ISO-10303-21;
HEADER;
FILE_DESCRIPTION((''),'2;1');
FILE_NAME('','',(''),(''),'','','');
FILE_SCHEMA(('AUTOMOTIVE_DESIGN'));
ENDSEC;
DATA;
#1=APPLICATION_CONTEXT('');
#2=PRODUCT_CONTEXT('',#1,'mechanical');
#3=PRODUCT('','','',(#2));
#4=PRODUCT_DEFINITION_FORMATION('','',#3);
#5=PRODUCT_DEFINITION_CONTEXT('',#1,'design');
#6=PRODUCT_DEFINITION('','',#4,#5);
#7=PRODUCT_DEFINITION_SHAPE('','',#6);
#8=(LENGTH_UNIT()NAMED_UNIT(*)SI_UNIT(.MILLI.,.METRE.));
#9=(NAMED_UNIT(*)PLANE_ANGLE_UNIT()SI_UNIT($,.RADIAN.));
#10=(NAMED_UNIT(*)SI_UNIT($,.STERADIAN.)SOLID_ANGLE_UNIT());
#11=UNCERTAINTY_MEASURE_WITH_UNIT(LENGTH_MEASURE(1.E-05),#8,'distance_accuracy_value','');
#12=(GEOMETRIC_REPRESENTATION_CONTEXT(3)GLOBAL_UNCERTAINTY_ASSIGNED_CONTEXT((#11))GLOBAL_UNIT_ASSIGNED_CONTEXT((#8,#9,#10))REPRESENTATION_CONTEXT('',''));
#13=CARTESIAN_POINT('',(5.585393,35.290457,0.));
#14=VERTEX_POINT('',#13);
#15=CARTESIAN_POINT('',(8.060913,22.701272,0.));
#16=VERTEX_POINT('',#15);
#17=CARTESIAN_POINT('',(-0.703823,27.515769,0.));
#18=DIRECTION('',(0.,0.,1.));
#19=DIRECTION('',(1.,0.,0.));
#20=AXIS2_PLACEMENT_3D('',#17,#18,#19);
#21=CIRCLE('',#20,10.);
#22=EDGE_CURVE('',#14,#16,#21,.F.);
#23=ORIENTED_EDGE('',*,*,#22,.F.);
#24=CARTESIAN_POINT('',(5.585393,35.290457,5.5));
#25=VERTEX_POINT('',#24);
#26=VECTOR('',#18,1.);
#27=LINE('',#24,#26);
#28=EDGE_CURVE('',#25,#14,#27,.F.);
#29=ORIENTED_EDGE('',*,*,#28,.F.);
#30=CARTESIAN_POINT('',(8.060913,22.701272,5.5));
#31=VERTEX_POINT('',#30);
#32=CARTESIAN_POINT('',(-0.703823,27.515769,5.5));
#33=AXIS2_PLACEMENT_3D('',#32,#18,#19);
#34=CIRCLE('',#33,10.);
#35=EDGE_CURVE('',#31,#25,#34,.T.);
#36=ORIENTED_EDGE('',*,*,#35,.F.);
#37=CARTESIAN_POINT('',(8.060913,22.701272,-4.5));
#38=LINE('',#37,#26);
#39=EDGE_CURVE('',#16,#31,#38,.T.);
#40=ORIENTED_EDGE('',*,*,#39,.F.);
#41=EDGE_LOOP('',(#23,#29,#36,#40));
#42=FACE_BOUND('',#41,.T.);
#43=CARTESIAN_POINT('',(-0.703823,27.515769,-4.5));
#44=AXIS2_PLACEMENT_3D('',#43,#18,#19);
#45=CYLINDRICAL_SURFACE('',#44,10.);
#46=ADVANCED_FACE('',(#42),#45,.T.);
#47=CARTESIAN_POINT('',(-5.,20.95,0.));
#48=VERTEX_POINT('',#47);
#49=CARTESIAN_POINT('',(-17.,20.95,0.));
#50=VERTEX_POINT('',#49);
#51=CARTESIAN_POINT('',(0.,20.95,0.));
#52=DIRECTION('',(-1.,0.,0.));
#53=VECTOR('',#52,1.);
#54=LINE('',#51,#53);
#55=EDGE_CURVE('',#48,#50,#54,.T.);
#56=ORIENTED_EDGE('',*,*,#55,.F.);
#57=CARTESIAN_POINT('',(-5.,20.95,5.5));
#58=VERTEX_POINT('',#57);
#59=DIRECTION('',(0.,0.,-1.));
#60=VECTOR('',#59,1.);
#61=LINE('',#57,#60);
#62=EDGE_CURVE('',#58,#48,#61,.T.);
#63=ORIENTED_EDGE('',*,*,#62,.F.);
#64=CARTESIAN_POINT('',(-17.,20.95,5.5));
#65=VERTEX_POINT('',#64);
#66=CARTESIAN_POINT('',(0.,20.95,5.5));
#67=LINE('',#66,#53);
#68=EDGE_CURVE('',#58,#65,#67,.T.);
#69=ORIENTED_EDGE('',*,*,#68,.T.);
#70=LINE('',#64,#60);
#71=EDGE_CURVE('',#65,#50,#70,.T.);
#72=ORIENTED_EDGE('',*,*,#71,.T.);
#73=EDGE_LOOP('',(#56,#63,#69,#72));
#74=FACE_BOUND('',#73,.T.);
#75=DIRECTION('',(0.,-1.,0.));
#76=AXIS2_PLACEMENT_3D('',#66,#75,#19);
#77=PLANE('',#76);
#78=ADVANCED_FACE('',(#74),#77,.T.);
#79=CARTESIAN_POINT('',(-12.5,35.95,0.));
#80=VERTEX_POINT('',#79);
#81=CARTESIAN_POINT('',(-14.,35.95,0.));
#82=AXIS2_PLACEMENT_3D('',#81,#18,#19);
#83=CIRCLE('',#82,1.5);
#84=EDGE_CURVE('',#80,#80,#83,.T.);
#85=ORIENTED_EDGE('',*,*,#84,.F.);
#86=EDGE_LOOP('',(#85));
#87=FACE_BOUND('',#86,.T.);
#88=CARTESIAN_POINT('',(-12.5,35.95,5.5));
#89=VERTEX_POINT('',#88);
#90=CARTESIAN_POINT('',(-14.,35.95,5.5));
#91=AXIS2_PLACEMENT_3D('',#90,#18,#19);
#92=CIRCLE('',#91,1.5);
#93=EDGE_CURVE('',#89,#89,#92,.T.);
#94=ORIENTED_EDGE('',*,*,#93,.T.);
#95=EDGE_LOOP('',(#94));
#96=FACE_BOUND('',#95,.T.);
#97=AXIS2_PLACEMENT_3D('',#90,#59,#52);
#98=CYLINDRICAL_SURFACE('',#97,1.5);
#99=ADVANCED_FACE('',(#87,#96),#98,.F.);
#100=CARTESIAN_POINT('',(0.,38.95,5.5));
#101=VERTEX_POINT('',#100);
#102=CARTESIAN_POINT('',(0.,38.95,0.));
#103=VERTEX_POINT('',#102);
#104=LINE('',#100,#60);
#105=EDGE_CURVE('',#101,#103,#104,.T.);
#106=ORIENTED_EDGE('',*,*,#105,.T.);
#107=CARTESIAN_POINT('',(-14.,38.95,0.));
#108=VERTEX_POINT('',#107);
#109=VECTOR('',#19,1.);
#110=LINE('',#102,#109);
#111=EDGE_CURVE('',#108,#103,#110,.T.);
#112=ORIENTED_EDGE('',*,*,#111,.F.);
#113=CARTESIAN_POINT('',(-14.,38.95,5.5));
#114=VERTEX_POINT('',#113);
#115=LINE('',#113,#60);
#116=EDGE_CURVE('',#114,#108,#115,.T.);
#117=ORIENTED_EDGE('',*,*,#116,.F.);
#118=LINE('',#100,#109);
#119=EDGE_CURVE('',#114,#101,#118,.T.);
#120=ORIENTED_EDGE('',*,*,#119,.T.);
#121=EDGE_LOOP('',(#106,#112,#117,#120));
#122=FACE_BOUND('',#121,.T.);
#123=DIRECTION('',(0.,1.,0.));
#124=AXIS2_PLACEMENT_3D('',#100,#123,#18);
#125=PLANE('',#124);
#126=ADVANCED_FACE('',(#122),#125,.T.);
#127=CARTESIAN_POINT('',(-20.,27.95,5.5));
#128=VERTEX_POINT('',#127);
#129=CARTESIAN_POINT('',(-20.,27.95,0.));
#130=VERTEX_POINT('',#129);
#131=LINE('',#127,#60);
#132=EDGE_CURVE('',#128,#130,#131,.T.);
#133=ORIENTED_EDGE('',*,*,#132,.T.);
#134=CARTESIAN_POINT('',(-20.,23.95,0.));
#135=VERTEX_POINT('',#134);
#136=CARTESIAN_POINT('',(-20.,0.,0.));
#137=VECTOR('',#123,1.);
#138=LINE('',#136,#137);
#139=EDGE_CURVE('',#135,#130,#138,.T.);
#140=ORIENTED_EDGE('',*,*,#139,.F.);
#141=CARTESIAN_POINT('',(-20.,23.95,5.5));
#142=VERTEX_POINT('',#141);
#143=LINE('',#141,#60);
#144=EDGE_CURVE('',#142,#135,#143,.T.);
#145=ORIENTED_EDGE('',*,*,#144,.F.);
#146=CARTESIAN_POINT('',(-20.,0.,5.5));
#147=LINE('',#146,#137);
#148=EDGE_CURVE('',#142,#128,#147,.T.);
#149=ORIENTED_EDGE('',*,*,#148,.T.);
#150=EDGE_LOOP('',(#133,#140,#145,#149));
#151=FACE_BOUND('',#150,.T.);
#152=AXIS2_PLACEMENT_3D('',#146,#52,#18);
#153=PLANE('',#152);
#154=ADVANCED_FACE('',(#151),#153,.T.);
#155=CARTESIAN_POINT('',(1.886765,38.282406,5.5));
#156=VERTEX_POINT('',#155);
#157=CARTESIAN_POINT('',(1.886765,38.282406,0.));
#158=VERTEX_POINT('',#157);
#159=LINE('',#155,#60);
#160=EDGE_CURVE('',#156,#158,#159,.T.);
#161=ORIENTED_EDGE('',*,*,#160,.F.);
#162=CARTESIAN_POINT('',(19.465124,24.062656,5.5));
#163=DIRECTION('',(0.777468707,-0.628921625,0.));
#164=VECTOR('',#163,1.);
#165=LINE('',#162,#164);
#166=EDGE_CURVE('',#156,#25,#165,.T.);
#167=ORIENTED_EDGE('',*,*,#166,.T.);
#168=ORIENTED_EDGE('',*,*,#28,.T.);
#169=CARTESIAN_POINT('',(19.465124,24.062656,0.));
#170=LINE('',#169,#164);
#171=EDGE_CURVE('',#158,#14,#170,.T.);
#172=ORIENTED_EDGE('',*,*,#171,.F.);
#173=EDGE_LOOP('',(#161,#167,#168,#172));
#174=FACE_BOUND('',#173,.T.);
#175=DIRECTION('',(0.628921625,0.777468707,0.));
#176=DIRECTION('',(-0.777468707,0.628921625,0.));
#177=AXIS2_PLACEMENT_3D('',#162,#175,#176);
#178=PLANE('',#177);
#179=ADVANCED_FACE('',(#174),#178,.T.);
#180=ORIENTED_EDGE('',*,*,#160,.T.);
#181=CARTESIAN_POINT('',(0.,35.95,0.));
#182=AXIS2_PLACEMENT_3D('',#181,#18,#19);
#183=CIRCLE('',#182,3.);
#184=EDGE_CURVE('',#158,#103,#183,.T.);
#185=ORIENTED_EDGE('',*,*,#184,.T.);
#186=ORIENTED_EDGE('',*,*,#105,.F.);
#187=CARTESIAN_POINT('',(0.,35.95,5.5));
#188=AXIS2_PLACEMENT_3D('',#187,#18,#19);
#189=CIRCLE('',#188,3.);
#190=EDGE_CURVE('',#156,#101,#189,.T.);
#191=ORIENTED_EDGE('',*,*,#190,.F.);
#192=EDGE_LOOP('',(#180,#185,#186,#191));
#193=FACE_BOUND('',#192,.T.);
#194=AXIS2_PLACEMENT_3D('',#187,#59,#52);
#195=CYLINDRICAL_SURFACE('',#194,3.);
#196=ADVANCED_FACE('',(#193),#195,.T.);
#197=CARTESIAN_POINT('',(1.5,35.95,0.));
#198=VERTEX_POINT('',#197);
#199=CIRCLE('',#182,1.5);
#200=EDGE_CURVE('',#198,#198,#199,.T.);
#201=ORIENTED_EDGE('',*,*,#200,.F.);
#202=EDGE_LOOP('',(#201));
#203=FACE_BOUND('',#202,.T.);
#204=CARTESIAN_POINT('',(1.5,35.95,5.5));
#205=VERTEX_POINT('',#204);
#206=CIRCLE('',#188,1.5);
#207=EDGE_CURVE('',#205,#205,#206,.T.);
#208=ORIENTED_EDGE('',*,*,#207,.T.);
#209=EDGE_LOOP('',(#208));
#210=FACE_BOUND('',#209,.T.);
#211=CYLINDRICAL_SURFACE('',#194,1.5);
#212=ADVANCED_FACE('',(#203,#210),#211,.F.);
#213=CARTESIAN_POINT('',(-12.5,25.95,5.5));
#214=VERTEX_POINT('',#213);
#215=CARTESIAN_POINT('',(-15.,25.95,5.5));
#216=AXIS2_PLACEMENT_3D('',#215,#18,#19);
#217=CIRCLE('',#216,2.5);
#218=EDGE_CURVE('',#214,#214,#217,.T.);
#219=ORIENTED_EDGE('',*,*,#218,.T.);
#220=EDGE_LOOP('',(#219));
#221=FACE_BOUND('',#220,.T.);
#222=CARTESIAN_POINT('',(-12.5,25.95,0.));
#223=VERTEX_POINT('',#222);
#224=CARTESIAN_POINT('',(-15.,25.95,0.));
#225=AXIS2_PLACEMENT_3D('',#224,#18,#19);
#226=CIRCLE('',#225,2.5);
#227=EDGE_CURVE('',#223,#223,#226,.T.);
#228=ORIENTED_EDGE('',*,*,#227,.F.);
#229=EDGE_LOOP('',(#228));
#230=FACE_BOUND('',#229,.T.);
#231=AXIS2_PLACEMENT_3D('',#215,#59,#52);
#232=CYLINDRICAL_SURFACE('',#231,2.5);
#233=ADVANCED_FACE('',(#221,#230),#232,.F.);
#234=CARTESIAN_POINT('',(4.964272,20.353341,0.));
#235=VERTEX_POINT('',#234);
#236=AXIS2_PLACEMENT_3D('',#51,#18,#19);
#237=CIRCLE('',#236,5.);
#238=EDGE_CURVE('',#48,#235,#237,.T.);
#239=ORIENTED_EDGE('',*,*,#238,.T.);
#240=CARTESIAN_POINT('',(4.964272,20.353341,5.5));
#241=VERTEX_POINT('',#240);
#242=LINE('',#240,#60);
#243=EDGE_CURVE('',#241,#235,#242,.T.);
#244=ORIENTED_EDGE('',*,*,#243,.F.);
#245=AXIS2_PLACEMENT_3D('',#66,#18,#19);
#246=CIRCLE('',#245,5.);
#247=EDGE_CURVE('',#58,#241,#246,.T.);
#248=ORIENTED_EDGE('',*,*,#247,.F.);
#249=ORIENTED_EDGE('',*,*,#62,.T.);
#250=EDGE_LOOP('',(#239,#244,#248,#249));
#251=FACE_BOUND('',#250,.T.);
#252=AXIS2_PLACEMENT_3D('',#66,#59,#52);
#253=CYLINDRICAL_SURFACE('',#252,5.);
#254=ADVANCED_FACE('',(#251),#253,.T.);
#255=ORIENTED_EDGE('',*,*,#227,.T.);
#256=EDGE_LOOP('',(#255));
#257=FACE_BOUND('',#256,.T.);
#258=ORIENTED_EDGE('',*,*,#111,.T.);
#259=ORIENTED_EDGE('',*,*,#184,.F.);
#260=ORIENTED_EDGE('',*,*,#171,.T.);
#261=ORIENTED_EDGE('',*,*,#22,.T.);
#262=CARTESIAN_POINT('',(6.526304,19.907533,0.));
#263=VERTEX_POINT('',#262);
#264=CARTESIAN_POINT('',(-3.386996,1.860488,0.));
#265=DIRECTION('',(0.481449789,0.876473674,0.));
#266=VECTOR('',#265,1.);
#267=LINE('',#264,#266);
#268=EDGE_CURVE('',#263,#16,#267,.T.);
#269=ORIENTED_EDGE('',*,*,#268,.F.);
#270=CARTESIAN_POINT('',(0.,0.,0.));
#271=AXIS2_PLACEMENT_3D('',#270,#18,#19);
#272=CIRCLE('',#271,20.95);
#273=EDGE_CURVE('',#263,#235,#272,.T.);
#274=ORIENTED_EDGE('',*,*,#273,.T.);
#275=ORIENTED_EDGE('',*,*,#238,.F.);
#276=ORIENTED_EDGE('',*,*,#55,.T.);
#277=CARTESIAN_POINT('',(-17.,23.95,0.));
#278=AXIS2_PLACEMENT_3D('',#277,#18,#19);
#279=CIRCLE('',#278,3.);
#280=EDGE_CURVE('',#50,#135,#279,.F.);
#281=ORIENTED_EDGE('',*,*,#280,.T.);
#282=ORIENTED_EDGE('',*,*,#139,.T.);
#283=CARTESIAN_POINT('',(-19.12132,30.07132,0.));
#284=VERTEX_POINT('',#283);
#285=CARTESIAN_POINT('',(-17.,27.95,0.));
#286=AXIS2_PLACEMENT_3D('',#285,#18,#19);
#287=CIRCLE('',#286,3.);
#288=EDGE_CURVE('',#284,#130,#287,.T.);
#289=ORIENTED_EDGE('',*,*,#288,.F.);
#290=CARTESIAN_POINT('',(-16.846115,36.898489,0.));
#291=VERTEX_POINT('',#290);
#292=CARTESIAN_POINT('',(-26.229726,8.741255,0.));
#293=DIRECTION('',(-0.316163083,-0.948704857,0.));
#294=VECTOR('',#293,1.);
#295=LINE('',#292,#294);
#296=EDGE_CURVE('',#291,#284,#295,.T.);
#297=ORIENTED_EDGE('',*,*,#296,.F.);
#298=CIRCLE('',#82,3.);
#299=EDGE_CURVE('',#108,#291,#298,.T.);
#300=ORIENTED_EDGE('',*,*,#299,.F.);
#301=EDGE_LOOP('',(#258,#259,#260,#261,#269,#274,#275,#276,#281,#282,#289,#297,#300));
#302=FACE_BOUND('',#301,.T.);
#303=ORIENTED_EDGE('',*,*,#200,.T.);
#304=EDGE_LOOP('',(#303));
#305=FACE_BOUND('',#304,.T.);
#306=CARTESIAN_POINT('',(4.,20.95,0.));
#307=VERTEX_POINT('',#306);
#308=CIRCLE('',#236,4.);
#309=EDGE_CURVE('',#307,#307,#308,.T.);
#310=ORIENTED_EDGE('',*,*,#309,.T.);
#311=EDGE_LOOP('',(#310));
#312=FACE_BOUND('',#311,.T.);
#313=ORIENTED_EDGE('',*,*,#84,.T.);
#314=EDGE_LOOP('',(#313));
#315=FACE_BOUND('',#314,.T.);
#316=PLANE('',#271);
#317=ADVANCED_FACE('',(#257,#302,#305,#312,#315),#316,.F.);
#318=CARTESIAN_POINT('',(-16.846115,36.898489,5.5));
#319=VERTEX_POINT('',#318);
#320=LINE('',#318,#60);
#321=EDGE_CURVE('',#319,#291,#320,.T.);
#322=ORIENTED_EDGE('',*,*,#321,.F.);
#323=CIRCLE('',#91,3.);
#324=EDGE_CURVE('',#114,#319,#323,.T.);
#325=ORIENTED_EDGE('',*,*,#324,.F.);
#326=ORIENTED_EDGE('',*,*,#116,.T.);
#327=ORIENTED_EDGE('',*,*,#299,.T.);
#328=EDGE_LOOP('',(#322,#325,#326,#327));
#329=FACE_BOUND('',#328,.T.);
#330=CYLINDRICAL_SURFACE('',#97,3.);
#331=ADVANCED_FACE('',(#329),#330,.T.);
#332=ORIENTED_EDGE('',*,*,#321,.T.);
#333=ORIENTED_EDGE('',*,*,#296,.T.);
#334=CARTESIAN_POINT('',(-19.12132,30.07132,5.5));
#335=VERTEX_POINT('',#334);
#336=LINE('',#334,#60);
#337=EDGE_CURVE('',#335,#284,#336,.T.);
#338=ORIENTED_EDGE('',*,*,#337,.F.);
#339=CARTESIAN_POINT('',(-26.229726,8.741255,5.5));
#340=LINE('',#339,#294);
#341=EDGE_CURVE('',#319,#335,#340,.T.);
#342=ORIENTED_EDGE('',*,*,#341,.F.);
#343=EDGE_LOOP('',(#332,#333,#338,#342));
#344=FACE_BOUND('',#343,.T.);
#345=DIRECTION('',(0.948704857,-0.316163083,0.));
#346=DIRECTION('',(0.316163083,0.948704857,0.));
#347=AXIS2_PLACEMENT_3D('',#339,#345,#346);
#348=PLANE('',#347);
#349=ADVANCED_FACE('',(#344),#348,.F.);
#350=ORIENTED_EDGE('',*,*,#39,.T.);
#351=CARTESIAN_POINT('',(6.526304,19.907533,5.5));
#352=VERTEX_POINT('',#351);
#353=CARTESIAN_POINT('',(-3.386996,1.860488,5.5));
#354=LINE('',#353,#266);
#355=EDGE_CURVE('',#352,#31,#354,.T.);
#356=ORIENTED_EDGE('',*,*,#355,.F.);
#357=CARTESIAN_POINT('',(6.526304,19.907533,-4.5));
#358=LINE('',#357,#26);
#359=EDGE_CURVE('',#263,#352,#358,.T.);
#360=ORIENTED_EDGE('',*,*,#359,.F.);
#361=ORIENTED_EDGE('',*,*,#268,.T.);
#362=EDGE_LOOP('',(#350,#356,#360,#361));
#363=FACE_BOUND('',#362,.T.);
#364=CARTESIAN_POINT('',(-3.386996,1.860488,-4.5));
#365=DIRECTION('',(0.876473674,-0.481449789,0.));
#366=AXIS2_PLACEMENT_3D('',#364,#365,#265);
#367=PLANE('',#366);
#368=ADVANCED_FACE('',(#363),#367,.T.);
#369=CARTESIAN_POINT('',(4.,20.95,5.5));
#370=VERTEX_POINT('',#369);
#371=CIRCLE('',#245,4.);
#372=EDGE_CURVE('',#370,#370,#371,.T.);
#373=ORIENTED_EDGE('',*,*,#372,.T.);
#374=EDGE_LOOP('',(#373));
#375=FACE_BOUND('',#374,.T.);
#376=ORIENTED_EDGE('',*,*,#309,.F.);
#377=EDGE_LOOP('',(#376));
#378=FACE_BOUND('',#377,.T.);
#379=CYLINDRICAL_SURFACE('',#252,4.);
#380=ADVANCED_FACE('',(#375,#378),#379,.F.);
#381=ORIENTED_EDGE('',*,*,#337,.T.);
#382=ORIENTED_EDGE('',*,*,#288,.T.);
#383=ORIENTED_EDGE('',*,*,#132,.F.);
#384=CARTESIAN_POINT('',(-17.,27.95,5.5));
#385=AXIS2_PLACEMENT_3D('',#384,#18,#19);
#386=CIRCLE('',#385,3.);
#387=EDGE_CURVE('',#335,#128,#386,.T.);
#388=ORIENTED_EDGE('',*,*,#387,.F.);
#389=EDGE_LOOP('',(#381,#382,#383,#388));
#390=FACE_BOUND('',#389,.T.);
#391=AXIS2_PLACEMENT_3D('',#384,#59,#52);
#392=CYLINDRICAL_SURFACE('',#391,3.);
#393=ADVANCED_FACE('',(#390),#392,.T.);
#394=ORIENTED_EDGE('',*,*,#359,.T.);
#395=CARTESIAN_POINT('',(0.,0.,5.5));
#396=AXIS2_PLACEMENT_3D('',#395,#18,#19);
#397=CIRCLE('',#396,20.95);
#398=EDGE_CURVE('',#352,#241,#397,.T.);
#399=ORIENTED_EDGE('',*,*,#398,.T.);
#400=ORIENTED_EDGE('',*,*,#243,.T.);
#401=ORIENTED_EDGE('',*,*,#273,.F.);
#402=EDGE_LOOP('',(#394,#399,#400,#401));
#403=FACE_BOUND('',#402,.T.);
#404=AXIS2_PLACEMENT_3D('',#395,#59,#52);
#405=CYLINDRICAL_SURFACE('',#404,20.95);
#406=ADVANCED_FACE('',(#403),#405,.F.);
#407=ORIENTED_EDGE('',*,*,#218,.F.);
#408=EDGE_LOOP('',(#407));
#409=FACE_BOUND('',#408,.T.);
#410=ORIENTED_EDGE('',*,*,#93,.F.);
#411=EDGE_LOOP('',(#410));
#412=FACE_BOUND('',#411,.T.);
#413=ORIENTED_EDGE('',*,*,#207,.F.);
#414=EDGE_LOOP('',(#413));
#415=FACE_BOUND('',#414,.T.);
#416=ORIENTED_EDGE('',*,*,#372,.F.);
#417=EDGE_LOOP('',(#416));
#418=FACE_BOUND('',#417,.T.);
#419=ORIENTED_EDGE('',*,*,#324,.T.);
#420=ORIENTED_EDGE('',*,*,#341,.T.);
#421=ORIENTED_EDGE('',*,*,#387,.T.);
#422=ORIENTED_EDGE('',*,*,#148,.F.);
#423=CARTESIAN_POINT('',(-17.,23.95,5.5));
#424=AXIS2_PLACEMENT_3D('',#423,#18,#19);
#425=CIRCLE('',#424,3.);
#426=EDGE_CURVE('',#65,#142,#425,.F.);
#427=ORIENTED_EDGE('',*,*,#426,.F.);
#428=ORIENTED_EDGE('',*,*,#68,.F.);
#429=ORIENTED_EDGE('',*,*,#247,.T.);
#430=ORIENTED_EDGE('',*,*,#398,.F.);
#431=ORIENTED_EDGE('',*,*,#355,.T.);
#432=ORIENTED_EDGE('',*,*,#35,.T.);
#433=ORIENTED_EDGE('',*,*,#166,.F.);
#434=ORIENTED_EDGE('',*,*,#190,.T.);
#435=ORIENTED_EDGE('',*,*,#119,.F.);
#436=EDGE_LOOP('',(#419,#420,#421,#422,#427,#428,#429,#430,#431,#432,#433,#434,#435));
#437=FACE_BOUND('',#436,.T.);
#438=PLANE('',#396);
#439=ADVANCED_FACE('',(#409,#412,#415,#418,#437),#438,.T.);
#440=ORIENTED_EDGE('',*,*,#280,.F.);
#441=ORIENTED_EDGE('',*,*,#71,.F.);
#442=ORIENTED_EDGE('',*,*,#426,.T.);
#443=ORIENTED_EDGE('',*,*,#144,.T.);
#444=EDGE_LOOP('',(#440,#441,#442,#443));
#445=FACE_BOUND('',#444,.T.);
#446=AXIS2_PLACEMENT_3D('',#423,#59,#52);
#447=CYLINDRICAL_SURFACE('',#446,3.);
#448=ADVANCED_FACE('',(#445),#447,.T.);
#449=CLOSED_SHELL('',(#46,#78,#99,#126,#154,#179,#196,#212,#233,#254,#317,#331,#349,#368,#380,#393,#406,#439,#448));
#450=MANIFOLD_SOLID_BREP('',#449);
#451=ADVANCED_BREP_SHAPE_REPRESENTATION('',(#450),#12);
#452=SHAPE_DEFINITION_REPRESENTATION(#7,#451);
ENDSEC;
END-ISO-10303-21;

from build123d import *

# Parameters (mm, degrees)
CROQUIS1_R              = 4
CROQUIS1_R_2            = 2.5
CROQUIS1_R_3            = 1.5
SALIENTE_EXTRUIR1_DEPTH = 5.5
CORTAR_EXTRUIR1_DEPTH   = 10
REDONDEO1_R             = 10


with BuildPart() as part:
    # Croquis1 → Saliente-Extruir1 (new body)
    with BuildSketch(Plane.XY):
        with BuildLine():
            ThreePointArc((13.175908043, 16.287969402), (20.207859701, 17.03070481), (19.465124293, 24.062656467))
            Line((19.465124293, 24.062656467), (1.886764875, 38.28240612))
            ThreePointArc((1.886764875, 38.28240612), (1.000695169, 38.778181249), (0, 38.95))
            Line((0, 38.95), (-14, 38.95))
            ThreePointArc((-14, 38.95), (-15.75421382, 38.383666755), (-16.84611457, 36.898489248))
            Line((-16.84611457, 36.898489248), (-19.121320344, 30.071320344))
            ThreePointArc((-19.121320344, 30.071320344), (-19.771638598, 29.098050297), (-20, 27.95))
            Line((-20, 27.95), (-20, 23.95))
            ThreePointArc((-20, 23.95), (-19.121320344, 21.828679656), (-17, 20.95))
            Line((-17, 20.95), (-5, 20.95))
            ThreePointArc((-5, 20.95), (-0.298863721, 15.958939945), (4.964272191, 20.353341289))
            ThreePointArc((4.964272191, 20.353341289), (9.295071106, 18.775093958), (13.175908043, 16.287969402))
        make_face()
        with Locations((0, 20.95)):
            Circle(CROQUIS1_R, mode=Mode.SUBTRACT)
        with Locations((-15, 25.95)):
            Circle(CROQUIS1_R_2, mode=Mode.SUBTRACT)
        with Locations((0, 35.95)):
            Circle(CROQUIS1_R_3, mode=Mode.SUBTRACT)
        with Locations((-14, 35.95)):
            Circle(CROQUIS1_R_3, mode=Mode.SUBTRACT)
    extrude(amount=SALIENTE_EXTRUIR1_DEPTH)

    # Croquis2 → Cortar-Extruir1 (cut)
    with BuildSketch(Plane.XY.offset(5.5)):
        with BuildLine():
            Line((12.087138576, 30.030967124), (6.52630373, 19.907532736))
            ThreePointArc((6.52630373, 19.907532736), (10.015967096, 18.400622357), (13.175908043, 16.287969402))
            ThreePointArc((13.175908043, 16.287969402), (20.207859701, 17.03070481), (19.465124293, 24.062656467))
            Line((19.465124293, 24.062656467), (12.087138576, 30.030967124))
        make_face()
    extrude(amount=-CORTAR_EXTRUIR1_DEPTH, mode=Mode.SUBTRACT)

    # Redondeo1
    redondeo1_edges = [part.edges().sort_by_distance(p)[0] for p in [
        (12.087138576, 30.030967124, 2.75),
    ]]
    fillet(redondeo1_edges, radius=REDONDEO1_R)


solid = part.part
